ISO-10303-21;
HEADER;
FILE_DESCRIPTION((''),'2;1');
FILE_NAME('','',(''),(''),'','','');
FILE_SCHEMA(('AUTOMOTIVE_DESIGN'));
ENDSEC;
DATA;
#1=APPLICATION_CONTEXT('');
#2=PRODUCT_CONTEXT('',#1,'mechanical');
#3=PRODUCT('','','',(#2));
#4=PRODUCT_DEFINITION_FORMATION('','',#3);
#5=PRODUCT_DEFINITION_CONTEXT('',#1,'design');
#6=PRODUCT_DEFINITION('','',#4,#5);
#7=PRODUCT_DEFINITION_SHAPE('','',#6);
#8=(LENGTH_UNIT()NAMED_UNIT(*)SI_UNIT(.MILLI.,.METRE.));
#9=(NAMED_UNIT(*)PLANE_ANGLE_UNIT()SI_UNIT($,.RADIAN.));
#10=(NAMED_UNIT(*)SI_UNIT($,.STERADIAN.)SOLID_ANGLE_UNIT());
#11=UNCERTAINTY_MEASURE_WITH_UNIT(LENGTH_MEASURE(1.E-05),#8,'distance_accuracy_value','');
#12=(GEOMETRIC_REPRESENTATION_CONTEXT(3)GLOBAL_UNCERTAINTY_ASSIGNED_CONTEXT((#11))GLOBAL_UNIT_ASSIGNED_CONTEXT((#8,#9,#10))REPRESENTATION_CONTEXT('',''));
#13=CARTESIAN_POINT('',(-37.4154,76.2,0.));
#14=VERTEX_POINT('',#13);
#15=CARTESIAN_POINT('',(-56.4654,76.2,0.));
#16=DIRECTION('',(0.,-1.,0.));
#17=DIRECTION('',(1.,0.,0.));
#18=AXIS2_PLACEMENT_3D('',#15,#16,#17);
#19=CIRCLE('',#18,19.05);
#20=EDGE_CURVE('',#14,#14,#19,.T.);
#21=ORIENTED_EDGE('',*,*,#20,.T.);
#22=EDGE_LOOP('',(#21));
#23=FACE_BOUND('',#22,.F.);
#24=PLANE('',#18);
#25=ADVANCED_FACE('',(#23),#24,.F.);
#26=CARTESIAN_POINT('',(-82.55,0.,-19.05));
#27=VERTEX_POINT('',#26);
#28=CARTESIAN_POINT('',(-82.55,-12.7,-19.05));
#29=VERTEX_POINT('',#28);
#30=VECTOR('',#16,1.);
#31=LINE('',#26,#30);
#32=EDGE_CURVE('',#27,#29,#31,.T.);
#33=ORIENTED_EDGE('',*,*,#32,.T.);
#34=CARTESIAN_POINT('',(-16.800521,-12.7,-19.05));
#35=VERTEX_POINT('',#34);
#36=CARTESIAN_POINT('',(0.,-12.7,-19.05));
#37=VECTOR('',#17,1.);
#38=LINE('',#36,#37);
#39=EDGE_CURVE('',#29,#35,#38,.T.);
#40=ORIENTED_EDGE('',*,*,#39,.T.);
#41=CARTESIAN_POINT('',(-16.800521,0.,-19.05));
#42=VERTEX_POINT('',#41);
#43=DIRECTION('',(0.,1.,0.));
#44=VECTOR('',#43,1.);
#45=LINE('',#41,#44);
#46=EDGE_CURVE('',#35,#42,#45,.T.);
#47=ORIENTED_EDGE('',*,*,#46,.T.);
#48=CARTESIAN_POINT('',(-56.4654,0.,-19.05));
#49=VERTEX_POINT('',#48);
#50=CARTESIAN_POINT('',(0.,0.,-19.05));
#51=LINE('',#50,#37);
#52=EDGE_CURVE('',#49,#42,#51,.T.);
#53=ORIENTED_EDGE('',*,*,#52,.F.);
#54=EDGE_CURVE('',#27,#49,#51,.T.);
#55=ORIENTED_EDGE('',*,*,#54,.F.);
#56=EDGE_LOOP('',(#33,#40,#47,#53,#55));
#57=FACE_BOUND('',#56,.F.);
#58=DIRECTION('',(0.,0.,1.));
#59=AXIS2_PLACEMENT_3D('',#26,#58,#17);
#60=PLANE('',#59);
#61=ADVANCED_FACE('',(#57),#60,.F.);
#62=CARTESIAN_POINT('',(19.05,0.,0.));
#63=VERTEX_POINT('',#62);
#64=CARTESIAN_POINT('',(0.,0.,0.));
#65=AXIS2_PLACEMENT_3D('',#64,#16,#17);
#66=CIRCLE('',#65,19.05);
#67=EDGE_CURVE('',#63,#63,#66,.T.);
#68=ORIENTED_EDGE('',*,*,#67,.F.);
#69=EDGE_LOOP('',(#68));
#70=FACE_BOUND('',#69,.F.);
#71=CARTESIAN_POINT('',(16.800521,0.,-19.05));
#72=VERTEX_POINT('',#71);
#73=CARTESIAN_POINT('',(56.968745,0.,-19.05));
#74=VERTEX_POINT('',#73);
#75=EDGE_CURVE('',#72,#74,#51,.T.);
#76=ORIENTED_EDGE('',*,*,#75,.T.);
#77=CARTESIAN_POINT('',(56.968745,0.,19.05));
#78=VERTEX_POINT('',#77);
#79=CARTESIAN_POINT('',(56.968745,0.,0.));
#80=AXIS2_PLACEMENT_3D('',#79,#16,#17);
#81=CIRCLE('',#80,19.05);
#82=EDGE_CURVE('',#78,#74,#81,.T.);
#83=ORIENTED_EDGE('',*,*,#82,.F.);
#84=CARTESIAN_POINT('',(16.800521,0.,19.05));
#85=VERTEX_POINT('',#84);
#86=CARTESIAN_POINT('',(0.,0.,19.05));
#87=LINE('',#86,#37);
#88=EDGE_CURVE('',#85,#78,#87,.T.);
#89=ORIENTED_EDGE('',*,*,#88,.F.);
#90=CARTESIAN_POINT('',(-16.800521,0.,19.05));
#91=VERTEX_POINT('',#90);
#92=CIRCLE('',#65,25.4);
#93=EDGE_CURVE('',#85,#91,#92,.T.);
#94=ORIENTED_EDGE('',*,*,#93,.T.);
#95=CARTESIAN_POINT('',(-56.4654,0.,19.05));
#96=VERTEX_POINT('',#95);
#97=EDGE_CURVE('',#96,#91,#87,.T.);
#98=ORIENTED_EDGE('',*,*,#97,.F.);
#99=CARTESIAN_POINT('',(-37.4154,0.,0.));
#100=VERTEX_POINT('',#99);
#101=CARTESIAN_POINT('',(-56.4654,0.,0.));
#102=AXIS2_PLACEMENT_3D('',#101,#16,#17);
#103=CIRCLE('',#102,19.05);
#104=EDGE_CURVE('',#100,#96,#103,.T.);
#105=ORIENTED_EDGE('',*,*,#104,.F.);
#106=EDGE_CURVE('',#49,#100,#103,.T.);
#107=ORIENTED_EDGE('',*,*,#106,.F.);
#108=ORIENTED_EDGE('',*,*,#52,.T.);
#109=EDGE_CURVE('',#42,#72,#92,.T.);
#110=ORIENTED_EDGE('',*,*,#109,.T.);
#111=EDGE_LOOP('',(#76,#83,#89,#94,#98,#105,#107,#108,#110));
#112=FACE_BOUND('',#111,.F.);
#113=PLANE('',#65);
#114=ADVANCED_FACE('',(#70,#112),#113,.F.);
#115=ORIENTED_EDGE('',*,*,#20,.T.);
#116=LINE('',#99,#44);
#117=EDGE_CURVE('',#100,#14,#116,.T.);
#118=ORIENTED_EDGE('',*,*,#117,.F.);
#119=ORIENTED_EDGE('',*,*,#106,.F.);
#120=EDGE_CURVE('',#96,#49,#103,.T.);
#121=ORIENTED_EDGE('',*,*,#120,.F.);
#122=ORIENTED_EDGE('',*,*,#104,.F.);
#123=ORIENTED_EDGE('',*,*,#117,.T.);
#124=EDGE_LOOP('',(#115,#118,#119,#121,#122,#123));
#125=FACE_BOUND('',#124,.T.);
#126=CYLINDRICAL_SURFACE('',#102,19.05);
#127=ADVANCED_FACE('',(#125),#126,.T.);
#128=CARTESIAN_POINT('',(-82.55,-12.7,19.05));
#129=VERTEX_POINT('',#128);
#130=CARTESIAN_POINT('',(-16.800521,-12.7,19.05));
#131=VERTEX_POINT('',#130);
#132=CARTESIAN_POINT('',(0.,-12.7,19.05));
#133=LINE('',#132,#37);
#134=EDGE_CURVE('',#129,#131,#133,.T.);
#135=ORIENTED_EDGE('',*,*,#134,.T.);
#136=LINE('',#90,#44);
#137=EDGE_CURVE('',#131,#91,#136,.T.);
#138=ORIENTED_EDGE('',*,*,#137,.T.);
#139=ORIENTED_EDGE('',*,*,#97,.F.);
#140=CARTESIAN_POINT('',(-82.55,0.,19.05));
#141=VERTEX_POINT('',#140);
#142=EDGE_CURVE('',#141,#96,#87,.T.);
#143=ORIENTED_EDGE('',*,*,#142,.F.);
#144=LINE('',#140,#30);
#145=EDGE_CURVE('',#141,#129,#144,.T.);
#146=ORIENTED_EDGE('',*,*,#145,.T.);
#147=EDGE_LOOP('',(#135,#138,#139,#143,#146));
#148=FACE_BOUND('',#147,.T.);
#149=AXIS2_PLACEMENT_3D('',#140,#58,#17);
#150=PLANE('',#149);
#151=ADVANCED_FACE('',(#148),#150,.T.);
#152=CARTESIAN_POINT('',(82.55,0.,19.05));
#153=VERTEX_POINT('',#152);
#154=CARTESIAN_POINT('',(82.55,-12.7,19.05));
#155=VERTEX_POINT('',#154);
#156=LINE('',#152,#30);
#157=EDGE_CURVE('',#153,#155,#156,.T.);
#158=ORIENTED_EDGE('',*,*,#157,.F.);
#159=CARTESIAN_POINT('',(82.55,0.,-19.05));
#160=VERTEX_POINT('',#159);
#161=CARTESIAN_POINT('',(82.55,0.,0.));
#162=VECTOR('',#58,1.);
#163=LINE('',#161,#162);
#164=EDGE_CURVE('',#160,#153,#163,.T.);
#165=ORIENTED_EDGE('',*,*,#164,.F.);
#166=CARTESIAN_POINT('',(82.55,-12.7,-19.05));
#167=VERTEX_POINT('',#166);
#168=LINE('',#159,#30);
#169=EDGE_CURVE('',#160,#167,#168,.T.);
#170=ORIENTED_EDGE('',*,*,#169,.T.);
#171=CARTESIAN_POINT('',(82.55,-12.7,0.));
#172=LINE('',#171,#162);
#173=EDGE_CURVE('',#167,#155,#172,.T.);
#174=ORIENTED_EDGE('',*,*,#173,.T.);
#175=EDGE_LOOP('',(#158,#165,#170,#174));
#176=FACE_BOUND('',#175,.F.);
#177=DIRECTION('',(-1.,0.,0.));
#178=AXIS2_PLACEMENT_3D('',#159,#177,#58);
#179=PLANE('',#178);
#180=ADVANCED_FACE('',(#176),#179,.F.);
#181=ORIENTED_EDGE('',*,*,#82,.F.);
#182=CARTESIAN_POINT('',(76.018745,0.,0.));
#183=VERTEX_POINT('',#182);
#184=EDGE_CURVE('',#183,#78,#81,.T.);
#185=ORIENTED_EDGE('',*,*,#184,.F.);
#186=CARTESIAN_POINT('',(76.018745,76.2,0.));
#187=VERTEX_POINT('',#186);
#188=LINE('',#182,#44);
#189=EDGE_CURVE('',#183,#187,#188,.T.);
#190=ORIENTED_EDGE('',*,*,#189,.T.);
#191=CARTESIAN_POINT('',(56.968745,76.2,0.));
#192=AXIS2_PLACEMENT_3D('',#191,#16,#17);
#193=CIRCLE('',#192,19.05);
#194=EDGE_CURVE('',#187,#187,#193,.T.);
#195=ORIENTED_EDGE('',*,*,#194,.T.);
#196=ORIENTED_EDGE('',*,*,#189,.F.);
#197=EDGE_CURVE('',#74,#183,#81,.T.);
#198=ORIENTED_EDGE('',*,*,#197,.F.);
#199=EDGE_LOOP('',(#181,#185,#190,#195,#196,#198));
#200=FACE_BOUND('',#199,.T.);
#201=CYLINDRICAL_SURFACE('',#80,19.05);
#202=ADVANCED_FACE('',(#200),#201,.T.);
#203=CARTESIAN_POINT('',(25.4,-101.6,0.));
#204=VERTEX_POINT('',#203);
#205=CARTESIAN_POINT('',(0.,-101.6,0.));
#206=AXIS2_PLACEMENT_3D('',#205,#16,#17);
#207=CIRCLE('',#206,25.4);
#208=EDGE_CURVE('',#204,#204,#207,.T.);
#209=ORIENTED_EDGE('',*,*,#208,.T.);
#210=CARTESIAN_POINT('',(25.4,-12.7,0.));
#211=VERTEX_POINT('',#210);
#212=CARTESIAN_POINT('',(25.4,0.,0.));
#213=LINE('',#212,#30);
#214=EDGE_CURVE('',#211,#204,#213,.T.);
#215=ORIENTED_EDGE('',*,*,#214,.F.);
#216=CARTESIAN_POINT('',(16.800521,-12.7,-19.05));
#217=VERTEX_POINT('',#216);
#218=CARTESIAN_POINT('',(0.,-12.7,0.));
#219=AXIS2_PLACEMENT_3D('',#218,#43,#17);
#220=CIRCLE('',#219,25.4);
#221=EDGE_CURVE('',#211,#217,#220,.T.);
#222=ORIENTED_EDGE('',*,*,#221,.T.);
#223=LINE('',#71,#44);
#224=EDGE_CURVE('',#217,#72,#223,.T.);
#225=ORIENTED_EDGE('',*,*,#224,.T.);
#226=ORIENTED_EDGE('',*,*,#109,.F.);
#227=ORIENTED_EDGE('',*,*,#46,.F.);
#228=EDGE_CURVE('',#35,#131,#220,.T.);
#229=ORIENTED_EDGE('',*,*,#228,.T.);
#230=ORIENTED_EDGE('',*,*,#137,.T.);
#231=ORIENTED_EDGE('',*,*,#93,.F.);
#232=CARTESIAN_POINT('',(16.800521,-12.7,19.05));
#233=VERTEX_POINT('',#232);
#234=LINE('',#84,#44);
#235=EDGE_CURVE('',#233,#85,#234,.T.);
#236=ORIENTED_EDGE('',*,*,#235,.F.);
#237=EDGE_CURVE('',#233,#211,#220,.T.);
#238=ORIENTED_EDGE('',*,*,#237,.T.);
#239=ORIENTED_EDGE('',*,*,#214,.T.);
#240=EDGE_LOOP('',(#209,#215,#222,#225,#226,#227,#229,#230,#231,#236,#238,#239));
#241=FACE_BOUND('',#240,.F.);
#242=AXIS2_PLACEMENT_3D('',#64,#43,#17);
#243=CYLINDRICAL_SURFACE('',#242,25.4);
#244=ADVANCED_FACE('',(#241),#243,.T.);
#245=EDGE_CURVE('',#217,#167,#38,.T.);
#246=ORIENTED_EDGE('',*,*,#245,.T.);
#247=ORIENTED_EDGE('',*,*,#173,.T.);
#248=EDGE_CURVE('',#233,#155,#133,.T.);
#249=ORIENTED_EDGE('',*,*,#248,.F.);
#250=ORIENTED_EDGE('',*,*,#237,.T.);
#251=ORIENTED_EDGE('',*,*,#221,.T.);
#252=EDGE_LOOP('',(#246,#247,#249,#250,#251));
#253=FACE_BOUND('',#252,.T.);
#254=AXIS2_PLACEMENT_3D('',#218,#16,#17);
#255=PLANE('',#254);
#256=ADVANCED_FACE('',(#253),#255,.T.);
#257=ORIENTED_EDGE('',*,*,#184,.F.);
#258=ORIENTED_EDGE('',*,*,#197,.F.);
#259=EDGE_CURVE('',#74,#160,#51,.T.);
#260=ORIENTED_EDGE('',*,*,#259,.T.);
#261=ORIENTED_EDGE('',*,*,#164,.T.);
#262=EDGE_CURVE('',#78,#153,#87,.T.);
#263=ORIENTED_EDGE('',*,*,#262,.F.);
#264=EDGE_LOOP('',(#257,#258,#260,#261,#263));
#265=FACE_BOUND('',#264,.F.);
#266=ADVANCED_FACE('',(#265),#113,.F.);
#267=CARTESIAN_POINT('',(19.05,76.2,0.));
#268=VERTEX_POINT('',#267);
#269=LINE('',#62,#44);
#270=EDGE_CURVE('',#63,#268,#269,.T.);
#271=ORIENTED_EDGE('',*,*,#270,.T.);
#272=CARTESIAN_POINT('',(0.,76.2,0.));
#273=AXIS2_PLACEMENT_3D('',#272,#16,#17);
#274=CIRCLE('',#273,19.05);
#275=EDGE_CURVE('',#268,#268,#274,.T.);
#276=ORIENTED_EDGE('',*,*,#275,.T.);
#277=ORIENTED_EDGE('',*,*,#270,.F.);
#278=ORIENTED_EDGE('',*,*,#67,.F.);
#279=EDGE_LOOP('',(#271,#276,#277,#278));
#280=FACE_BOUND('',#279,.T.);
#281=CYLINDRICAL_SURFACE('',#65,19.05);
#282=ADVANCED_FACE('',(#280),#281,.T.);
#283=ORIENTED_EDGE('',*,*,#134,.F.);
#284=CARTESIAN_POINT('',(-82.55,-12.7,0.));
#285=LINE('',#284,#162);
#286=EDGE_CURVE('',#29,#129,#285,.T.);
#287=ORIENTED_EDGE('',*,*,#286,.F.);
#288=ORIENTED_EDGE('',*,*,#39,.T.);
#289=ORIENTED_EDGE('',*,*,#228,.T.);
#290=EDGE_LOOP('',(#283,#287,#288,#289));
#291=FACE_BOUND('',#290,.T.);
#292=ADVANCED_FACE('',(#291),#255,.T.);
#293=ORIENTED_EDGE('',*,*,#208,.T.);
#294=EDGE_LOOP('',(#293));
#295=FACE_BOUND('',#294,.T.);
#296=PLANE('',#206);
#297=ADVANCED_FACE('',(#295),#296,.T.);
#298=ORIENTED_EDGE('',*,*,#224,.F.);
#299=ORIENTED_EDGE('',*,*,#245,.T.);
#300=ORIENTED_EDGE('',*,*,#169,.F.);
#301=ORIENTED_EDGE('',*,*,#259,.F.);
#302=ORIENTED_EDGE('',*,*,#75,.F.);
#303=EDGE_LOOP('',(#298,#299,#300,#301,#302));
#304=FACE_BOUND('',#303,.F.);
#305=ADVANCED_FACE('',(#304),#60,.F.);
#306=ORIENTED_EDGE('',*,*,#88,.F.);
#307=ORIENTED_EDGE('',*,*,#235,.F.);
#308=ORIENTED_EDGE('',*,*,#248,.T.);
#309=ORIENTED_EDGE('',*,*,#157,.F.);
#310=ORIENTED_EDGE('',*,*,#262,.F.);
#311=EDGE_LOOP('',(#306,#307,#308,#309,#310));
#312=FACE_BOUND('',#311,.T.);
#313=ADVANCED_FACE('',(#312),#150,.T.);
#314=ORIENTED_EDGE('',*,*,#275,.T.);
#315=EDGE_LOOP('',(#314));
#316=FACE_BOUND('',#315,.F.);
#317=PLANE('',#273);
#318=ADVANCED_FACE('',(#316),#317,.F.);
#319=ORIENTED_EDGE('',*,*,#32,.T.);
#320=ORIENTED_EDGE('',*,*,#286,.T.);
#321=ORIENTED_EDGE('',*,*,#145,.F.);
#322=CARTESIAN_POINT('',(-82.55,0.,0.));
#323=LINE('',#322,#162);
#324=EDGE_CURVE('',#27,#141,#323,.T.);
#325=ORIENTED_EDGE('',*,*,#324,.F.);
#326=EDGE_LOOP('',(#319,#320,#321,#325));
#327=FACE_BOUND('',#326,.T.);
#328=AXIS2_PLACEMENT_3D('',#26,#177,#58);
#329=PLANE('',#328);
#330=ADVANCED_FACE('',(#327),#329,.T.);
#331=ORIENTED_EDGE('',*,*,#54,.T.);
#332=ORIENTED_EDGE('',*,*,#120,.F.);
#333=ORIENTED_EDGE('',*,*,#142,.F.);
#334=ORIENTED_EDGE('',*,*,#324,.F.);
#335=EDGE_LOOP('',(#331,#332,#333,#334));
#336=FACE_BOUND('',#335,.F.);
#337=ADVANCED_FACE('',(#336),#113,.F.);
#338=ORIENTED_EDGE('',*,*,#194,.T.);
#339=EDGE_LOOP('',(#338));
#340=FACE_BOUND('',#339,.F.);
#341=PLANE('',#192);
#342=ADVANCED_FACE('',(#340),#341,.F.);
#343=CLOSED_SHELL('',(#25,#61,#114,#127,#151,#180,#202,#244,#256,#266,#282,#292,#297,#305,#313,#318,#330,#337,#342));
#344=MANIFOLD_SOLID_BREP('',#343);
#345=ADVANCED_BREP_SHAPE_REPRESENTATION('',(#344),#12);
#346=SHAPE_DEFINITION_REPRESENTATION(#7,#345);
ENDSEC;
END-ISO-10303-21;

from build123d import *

# Parameters (mm, degrees)
F0_W     = 165.1
F0_H     = 38.1
F1_DEPTH = 12.7
F2_R     = 25.4
F3_DEPTH = 101.6
F4_R     = 19.05
F5_DEPTH = 76.2


with BuildPart() as f1:
    # F0 (on Front) → F1 (new body)
    with BuildSketch(Plane.XZ):
        Rectangle(F0_W, F0_H)
    extrude(amount=F1_DEPTH)

    # F2 (on Front) → F3 (join)
    with BuildSketch(Plane.XZ):
        Circle(F2_R)
    extrude(amount=F3_DEPTH)

    # F4 (on Front) → F5 (join)
    with BuildSketch(Plane.XZ):
        with Locations((56.968745, 0)):
            Circle(F4_R)
        with Locations((-56.4654, 0)):
            Circle(F4_R)
        Circle(F4_R)
    extrude(amount=-F5_DEPTH)


solid = f1.part
